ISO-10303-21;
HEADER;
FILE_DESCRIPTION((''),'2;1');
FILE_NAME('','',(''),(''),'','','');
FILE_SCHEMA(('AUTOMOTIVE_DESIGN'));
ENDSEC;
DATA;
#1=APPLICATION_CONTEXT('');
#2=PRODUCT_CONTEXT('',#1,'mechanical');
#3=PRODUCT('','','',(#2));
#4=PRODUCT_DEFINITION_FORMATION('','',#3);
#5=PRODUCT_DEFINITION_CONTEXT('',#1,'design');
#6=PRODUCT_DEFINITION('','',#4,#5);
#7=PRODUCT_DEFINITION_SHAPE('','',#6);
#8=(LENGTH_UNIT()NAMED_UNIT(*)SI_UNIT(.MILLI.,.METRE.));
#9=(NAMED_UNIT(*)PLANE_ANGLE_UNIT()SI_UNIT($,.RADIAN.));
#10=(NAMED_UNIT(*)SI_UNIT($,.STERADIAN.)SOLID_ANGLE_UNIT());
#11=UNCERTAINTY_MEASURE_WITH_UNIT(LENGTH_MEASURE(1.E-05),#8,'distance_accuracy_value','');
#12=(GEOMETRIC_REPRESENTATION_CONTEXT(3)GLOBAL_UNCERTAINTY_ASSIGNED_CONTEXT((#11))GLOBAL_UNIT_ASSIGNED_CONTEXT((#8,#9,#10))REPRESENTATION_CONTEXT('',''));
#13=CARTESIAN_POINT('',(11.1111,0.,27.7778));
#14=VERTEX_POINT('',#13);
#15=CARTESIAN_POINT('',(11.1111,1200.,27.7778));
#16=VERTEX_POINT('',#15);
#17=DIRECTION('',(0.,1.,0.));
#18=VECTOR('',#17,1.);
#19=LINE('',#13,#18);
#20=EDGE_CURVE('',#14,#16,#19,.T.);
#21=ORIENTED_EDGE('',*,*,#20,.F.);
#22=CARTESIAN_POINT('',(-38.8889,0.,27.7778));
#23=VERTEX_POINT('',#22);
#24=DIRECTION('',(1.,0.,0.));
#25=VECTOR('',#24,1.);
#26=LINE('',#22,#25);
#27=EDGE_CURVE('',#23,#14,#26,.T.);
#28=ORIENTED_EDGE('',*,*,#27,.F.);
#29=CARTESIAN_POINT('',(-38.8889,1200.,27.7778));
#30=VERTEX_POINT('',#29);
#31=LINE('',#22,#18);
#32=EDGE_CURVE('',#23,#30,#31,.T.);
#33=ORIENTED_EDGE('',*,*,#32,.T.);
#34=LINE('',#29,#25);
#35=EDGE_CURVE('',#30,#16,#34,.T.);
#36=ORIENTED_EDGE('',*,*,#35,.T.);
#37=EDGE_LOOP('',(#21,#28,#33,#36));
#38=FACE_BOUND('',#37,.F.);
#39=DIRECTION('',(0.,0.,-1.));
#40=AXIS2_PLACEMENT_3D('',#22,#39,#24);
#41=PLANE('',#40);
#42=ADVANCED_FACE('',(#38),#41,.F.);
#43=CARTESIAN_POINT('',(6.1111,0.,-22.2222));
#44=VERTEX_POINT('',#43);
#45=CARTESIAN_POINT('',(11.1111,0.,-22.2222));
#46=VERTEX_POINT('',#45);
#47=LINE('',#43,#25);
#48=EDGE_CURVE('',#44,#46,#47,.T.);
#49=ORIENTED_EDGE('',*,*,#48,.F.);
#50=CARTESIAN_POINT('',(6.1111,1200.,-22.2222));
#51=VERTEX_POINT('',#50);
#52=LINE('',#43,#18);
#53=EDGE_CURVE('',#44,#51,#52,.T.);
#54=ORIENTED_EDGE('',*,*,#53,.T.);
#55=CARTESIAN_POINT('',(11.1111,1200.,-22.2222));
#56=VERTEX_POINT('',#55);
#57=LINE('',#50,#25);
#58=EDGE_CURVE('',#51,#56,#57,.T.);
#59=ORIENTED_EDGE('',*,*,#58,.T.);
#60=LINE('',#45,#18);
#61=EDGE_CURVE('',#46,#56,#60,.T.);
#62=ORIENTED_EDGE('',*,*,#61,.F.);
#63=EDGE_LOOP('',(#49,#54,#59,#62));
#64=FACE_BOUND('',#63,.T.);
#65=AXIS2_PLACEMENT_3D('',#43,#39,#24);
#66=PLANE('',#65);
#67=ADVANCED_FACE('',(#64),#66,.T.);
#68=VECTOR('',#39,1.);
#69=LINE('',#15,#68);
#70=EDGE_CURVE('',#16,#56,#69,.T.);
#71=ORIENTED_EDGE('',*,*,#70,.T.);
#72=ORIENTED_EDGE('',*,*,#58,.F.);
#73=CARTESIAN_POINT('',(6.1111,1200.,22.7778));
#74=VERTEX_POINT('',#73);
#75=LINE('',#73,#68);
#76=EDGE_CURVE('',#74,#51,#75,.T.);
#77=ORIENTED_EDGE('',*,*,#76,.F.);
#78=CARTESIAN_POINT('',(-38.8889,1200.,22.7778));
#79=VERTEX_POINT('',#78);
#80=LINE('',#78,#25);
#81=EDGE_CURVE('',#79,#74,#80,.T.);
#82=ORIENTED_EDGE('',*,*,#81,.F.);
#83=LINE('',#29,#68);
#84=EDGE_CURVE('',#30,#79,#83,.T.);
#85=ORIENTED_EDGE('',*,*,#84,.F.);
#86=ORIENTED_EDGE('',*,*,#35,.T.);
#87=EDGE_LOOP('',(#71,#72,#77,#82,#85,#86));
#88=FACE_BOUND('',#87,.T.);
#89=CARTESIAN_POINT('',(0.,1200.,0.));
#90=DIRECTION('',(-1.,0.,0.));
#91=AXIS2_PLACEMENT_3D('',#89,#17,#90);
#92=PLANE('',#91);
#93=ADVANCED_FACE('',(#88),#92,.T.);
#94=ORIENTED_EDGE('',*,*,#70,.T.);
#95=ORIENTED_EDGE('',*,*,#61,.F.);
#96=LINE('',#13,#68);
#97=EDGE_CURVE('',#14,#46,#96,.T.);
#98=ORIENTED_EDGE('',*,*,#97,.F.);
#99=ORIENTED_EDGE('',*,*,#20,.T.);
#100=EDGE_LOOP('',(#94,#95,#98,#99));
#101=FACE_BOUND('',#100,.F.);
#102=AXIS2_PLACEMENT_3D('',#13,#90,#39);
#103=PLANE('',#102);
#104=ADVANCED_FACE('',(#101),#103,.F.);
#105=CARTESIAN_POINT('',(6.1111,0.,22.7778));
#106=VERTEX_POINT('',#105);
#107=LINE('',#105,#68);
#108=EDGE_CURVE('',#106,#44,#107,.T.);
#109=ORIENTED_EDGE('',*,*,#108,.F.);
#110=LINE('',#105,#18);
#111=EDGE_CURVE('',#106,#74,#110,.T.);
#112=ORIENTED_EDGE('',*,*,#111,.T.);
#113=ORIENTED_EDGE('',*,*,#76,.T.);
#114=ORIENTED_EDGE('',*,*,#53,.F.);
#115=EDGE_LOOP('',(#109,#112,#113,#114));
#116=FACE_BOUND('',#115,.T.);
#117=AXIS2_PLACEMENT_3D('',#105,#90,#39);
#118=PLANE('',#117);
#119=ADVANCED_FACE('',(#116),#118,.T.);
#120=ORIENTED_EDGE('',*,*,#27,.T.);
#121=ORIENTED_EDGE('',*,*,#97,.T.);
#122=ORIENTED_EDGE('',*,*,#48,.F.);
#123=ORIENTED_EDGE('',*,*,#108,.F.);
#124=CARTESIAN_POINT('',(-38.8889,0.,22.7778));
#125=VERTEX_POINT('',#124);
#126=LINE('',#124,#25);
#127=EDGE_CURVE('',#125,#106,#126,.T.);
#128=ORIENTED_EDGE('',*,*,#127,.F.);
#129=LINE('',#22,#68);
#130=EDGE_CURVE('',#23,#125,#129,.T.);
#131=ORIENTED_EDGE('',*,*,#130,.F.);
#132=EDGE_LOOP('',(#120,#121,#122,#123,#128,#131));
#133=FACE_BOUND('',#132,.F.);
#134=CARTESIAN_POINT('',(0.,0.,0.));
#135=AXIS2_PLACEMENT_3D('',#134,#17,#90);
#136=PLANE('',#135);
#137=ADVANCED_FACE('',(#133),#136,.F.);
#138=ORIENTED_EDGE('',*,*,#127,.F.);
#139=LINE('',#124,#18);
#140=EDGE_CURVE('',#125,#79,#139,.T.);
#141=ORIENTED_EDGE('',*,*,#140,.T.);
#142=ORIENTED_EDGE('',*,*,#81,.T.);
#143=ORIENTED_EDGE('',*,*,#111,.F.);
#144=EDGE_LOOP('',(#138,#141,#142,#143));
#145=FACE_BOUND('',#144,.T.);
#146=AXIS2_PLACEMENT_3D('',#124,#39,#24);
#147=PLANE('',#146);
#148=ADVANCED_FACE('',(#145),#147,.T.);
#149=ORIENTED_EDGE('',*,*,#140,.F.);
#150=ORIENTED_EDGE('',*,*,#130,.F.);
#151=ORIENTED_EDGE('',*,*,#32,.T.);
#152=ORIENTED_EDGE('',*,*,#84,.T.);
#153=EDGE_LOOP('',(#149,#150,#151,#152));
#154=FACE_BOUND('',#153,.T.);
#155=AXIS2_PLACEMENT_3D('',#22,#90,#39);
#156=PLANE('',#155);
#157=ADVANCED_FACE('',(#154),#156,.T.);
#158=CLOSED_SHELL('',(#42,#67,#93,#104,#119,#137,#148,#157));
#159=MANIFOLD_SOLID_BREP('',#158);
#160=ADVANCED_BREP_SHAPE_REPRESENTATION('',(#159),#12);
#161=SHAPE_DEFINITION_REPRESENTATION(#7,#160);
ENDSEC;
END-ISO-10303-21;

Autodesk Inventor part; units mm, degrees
ref_plane "YZ Plane" through (0, 0, 0) normal (1, 0, 0) x (0, 1, 0)
ref_plane "XZ Plane" through (0, 0, 0) normal (0, 1, 0) x (-1, 0, 0)
ref_plane "XY Plane" through (0, 0, 0) normal (0, 0, 1) x (1, 0, 0)
sketch "Sketch1" plane through (0, 0, 0) normal (0, 1, 0) x (-1, 0, 0)
  line L0 (38.8889, 27.7778) -> (-11.1111, 27.7778)
  line L1 (-11.1111, 27.7778) -> (-11.1111, -22.2222)
  line L2 (38.8889, 27.7778) -> (38.8889, 22.7778)
  line L3 (38.8889, 22.7778) -> (-6.1111, 22.7778)
  line L4 (-6.1111, 22.7778) -> (-6.1111, -22.2222)
  line L5 (-6.1111, -22.2222) -> (-11.1111, -22.2222)
  point P0 (0, 0)
  dimension "d0" = 50
  dimension "d1" = 50
  dimension "d2" = 5
  dimension "d3" = 5
extrude "Extrusion1" add sketch "Sketch1" along normal blind 1200
properties part number "Ugol800"
